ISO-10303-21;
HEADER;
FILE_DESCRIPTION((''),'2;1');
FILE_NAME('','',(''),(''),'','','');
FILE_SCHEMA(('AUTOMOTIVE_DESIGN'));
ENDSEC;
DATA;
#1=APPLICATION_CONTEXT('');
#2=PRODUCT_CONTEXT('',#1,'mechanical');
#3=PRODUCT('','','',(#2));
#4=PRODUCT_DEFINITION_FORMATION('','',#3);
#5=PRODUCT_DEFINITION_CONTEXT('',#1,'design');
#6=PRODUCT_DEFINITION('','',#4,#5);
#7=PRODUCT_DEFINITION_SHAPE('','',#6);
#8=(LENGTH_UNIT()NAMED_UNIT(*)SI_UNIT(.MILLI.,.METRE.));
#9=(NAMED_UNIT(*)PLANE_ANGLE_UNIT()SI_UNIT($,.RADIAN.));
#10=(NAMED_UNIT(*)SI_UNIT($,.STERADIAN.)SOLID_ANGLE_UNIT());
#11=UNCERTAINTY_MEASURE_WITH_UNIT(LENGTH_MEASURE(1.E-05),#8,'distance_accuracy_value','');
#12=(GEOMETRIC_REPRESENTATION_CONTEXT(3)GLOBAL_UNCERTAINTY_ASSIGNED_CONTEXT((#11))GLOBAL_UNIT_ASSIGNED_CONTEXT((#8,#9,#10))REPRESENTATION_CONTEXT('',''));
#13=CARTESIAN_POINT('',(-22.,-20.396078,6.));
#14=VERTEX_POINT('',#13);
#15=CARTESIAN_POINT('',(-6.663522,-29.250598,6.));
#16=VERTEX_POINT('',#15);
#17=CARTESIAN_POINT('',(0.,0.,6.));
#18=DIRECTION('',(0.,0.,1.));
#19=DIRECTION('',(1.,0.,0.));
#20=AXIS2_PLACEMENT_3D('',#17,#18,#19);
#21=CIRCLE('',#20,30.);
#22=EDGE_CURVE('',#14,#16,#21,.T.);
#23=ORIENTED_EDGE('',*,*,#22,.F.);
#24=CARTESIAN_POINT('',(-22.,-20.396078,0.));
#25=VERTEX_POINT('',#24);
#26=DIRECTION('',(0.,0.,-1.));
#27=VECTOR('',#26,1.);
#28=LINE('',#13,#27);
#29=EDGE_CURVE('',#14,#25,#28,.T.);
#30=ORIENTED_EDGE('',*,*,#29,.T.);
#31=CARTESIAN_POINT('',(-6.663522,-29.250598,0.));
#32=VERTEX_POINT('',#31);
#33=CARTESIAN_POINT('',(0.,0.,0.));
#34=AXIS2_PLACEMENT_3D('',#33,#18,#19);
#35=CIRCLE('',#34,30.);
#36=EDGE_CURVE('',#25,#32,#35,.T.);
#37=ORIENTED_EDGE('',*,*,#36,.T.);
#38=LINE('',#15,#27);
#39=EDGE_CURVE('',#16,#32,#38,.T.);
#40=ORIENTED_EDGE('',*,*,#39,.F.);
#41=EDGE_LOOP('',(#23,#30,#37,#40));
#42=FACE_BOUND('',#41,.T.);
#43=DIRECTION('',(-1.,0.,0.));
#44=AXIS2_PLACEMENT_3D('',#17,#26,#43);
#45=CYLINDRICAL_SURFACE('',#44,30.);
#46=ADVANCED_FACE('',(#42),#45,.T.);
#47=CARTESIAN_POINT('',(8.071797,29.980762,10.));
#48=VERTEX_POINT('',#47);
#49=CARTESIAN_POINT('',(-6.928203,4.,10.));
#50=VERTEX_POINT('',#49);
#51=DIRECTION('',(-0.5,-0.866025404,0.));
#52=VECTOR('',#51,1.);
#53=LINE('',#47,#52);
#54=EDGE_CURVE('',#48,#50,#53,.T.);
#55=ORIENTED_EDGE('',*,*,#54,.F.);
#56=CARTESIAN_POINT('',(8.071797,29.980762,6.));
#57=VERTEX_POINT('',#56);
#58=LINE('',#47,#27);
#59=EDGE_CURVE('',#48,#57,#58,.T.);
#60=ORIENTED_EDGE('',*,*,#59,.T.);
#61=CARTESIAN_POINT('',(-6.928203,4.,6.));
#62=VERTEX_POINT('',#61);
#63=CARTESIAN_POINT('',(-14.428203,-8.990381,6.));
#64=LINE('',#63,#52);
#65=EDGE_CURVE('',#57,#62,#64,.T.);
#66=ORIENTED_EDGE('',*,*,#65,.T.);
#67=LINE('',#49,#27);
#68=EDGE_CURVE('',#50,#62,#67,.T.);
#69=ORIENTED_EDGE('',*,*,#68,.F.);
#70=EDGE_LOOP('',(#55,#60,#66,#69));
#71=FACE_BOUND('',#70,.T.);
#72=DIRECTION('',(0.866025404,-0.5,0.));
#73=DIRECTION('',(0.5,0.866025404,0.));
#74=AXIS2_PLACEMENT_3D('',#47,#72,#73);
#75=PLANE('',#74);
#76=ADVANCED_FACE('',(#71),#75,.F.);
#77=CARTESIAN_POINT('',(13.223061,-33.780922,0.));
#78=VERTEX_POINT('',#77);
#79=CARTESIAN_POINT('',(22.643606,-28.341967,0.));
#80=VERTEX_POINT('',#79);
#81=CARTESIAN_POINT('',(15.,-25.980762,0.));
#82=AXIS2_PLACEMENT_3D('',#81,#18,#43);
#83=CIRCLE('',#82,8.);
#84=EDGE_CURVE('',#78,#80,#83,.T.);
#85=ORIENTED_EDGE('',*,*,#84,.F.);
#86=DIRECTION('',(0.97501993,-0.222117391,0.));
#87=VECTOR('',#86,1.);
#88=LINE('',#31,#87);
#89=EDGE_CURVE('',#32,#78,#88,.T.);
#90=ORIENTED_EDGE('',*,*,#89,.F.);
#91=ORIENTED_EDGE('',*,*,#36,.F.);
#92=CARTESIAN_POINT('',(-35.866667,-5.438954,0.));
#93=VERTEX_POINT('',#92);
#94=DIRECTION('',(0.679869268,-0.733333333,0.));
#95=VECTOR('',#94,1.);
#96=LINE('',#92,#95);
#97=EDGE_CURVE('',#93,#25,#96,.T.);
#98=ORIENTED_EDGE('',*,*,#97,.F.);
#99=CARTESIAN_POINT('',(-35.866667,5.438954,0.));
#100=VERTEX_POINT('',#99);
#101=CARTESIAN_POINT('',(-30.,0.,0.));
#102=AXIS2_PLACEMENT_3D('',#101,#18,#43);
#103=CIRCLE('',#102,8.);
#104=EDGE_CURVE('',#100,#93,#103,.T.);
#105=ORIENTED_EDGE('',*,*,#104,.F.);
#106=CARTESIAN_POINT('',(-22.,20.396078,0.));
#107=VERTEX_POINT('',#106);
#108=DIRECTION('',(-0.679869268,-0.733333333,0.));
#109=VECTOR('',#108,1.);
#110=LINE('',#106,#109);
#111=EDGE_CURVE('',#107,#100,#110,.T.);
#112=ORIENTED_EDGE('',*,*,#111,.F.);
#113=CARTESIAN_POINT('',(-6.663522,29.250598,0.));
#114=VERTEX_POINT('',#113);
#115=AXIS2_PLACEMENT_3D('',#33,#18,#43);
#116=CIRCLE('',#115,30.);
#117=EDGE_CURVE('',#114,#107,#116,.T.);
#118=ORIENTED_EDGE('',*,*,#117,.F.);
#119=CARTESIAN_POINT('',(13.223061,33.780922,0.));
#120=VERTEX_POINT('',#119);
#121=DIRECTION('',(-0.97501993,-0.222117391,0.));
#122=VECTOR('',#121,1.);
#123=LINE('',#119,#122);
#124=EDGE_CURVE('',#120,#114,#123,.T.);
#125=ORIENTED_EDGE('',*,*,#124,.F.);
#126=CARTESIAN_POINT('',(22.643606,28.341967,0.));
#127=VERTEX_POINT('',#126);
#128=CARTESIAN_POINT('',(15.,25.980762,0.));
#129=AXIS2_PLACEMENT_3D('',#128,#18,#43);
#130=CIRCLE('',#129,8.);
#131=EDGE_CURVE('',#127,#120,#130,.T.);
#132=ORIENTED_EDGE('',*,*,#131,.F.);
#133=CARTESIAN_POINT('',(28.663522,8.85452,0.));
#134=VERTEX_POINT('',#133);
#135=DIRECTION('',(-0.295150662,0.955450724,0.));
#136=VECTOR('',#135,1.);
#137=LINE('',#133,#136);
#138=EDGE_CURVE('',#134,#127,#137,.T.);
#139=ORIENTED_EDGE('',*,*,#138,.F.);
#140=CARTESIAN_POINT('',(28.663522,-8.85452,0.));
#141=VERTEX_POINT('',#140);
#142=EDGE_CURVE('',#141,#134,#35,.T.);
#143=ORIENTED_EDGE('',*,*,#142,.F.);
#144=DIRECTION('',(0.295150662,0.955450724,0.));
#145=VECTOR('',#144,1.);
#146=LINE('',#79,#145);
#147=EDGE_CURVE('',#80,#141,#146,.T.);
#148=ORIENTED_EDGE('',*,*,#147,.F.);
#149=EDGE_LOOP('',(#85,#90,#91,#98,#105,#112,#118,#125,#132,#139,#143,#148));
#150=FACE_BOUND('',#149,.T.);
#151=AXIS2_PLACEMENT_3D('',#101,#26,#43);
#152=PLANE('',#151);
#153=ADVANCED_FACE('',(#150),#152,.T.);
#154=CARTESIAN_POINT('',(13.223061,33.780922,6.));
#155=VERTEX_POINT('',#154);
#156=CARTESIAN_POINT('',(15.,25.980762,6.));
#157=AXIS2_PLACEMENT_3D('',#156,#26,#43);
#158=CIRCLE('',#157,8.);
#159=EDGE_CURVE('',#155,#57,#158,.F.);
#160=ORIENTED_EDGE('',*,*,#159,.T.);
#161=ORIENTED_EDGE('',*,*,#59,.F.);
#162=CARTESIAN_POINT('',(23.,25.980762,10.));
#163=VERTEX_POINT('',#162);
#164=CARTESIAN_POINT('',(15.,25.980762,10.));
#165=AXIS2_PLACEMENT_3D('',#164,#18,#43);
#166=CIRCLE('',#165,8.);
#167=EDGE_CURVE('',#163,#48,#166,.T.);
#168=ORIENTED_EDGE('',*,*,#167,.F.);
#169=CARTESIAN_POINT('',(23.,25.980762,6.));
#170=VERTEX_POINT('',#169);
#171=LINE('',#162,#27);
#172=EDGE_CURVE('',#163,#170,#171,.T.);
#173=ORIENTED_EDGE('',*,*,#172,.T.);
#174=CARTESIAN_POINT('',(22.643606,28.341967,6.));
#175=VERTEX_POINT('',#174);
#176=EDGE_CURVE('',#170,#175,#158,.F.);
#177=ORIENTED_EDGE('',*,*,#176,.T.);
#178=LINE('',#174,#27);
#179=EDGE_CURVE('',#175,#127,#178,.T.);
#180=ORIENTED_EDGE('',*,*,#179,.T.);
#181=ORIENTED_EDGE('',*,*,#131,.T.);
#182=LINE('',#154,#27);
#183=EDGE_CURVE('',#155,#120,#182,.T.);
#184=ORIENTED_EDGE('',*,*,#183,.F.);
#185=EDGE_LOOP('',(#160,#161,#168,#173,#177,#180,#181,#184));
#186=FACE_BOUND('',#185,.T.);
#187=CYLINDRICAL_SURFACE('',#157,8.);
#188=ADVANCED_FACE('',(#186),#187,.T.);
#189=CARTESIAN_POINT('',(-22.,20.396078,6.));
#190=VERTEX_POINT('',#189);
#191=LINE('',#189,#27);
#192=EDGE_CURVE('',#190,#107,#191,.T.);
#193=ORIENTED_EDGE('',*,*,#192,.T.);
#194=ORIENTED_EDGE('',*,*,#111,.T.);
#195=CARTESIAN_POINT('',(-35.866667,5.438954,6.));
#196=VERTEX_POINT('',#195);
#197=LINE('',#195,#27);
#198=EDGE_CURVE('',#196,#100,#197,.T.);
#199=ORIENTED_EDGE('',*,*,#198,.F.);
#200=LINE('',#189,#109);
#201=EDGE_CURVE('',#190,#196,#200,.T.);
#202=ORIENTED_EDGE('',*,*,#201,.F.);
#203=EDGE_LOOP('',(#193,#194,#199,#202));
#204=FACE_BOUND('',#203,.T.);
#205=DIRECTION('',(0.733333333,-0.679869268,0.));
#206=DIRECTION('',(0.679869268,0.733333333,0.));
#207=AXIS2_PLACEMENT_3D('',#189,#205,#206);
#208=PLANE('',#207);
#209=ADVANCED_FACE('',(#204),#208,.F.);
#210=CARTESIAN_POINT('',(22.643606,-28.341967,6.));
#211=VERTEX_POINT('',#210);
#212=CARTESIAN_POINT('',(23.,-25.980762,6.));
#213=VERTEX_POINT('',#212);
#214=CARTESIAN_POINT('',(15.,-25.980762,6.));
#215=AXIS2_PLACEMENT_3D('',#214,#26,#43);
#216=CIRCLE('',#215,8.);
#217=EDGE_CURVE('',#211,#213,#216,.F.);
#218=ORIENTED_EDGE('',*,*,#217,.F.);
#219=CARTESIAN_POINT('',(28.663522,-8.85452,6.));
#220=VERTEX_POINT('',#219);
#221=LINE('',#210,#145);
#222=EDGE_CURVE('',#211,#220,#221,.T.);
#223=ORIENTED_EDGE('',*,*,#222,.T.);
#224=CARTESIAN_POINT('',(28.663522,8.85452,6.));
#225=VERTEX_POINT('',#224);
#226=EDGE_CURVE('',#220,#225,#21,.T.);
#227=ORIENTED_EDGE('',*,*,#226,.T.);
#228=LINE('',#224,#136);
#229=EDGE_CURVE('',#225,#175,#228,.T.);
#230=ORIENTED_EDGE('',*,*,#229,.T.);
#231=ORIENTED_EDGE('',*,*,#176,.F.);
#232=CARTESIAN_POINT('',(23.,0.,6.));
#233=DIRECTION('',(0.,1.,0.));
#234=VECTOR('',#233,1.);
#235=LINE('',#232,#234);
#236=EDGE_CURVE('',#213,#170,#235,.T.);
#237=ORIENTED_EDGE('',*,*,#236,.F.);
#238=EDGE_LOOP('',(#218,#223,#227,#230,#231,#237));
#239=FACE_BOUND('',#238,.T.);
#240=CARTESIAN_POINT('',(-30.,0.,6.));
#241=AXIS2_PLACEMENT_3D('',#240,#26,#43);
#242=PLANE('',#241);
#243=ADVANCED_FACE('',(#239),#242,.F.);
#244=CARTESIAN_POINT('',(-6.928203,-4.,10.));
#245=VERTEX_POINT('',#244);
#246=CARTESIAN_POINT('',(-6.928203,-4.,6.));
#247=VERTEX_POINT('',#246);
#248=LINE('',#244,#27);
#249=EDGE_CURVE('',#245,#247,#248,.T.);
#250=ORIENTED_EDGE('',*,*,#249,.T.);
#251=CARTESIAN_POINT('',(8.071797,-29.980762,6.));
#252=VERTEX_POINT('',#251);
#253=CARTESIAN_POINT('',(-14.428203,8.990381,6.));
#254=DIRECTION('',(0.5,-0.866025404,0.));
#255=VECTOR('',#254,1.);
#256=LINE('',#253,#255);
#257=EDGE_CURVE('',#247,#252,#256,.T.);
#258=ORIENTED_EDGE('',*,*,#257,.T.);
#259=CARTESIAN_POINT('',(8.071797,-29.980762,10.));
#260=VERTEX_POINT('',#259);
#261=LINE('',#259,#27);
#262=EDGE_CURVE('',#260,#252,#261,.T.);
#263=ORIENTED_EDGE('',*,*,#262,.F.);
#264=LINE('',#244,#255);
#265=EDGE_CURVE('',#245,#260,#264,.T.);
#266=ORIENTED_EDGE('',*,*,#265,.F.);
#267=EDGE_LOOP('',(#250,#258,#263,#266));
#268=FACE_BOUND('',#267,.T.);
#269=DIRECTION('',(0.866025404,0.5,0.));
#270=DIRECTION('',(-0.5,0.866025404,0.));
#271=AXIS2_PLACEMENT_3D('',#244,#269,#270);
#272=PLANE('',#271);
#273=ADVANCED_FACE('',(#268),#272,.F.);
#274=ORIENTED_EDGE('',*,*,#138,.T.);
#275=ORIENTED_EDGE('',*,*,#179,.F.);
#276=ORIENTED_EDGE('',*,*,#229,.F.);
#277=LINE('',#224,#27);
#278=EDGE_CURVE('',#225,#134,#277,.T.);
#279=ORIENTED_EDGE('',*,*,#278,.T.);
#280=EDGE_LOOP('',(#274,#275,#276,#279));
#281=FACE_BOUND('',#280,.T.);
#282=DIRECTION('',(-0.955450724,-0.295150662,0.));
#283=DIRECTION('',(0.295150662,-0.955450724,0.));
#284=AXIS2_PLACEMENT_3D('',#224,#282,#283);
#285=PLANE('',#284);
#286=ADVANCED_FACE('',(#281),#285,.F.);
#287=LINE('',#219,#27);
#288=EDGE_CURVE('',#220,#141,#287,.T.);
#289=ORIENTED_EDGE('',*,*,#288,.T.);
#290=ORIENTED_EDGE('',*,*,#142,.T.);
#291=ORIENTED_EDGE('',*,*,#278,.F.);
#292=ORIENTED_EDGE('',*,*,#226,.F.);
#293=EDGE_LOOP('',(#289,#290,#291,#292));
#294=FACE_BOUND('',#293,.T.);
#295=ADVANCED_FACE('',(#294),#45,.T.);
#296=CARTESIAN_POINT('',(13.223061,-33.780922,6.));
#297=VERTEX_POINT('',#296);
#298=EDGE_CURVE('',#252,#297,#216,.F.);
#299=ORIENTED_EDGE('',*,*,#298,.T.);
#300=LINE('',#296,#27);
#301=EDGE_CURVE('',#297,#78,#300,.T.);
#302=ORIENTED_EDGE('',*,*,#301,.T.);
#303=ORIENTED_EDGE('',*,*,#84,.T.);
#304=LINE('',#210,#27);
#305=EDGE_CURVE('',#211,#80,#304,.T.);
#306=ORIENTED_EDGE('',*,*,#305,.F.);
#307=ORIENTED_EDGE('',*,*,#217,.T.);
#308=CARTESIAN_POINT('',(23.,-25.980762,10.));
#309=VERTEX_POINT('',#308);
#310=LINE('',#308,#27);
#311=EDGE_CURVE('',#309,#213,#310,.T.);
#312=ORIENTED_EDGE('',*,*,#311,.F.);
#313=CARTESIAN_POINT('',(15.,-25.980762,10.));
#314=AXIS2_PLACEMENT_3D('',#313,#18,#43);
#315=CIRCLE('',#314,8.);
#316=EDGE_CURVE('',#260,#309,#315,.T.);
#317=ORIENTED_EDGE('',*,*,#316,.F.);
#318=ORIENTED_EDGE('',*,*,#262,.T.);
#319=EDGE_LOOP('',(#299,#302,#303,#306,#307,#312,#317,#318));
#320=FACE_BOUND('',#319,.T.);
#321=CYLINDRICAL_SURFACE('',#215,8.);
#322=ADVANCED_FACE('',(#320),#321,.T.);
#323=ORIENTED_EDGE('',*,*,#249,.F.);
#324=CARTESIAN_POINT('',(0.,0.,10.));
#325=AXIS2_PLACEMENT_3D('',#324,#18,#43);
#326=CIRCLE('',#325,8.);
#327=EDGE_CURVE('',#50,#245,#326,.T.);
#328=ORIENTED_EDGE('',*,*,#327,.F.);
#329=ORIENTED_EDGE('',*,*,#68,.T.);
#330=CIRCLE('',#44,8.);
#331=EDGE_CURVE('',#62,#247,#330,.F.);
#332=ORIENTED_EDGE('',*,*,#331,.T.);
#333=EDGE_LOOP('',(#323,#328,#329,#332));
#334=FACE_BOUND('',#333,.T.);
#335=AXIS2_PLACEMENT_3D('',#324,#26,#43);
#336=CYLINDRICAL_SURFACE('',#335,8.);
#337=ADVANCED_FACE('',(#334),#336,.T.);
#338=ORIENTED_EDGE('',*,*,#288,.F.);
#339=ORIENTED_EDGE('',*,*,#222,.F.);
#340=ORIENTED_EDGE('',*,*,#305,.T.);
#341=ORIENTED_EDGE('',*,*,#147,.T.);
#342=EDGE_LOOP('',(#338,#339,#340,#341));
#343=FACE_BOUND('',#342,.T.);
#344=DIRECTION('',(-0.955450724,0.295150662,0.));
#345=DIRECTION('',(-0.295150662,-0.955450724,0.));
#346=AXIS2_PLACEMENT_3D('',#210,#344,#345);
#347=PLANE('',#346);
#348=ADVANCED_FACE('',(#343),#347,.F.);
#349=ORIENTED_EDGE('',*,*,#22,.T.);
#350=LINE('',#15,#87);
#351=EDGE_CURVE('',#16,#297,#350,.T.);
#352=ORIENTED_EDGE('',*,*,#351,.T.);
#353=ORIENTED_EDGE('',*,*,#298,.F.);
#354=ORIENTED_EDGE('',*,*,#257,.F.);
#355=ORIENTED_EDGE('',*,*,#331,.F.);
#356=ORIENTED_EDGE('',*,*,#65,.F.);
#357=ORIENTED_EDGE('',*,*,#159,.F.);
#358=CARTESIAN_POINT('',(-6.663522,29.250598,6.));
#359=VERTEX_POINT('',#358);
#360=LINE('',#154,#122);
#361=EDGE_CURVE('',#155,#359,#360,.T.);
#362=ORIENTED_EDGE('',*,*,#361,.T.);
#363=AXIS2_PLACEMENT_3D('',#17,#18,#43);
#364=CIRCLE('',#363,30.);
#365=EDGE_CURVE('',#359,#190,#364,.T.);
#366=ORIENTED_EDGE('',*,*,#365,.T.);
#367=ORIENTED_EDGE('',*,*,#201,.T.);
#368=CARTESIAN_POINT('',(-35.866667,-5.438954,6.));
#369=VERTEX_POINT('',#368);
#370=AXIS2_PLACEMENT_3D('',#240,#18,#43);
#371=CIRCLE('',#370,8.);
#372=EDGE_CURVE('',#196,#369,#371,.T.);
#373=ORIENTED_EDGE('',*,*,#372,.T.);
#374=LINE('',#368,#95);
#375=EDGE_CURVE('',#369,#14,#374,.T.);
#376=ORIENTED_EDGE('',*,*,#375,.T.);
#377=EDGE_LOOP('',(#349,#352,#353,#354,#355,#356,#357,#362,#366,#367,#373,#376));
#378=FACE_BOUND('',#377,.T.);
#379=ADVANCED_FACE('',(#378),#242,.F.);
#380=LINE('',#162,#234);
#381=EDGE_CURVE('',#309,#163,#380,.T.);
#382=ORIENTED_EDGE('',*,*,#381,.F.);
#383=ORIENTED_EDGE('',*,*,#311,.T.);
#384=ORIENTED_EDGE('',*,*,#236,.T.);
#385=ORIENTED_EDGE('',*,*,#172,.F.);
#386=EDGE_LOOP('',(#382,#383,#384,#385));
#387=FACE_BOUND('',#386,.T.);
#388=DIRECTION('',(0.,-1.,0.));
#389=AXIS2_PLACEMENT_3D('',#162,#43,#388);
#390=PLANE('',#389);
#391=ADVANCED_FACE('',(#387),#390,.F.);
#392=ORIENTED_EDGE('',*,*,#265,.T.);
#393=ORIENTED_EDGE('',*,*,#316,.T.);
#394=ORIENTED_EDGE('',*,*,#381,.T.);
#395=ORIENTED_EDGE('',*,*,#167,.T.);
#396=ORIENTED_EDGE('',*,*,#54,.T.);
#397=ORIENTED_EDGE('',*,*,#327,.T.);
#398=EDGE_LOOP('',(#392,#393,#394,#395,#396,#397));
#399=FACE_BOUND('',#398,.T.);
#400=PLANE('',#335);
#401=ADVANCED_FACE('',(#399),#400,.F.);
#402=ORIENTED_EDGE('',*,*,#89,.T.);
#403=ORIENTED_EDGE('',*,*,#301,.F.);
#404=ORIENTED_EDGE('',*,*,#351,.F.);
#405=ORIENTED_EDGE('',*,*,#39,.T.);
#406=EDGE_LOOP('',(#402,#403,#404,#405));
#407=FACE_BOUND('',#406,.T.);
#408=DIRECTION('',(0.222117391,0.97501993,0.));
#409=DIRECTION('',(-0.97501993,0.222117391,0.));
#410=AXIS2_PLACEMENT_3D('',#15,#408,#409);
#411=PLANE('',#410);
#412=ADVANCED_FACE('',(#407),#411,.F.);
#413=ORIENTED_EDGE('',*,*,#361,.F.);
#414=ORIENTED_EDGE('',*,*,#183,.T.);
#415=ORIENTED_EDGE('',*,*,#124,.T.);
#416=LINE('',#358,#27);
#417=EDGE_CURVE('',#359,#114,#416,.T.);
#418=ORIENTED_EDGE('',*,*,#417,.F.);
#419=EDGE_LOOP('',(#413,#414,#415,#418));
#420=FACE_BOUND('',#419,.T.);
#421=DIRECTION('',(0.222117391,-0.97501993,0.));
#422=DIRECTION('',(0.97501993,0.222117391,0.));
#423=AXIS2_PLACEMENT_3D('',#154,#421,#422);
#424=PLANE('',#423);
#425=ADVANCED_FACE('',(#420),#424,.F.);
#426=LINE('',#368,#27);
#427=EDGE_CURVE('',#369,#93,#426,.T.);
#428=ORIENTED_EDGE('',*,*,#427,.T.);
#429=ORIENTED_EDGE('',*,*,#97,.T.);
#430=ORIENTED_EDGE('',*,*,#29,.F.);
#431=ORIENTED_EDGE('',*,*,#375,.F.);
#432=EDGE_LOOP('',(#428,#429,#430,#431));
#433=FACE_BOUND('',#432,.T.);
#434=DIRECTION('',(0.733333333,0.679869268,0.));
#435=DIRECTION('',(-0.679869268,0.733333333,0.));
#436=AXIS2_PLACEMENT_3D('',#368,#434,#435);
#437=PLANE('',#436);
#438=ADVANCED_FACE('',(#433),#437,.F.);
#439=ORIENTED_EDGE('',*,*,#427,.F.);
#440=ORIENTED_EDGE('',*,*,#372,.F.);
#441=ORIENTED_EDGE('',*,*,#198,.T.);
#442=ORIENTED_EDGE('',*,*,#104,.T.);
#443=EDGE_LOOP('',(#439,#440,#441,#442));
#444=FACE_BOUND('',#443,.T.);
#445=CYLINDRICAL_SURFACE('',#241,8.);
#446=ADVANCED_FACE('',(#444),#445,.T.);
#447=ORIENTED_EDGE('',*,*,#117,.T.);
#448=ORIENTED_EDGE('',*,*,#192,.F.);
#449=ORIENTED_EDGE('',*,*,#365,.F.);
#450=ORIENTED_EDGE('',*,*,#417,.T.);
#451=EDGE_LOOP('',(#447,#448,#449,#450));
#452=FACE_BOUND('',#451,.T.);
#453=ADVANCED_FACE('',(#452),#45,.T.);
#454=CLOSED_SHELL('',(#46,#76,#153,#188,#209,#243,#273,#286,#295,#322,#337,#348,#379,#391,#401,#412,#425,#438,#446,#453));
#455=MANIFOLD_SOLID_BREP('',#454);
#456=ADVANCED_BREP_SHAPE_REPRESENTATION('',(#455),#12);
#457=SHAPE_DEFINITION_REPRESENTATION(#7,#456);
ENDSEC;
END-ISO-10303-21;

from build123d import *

# Parameters (mm, degrees)
EXTRUDE_1_DEPTH = 6
EXTRUDE_2_DEPTH = 10


with BuildPart() as part:
    # 草圖1 → 填料-伸長1 (new body)
    with BuildSketch(Plane.XY):
        with BuildLine():
            Line((-22, 20.396078054), (-35.866666667, 5.438954148))
            ThreePointArc((-35.866666667, 5.438954148), (-38, 0), (-35.866666667, -5.438954148))
            Line((-35.866666667, -5.438954148), (-22, -20.396078054))
            ThreePointArc((-22, -20.396078054), (-15, -25.980762114), (-6.663521733, -29.25059791))
            Line((-6.663521733, -29.25059791), (13.223060871, -33.780921556))
            ThreePointArc((13.223060871, -33.780921556), (19, -32.908965344), (22.643605795, -28.341967408))
            Line((22.643605795, -28.341967408), (28.663521733, -8.854519856))
            ThreePointArc((28.663521733, -8.854519856), (30, 0), (28.663521733, 8.854519856))
            Line((28.663521733, 8.854519856), (22.643605795, 28.341967408))
            ThreePointArc((22.643605795, 28.341967408), (19, 32.908965344), (13.223060871, 33.780921556))
            Line((13.223060871, 33.780921556), (-6.663521733, 29.25059791))
            ThreePointArc((-6.663521733, 29.25059791), (-15, 25.980762114), (-22, 20.396078054))
        make_face()
    extrude(amount=EXTRUDE_1_DEPTH)

    # 草圖3 → 填料-伸長2 (add)
    with BuildSketch(Plane.XY):
        with BuildLine():
            Line((8.07179677, 29.980762114), (-6.92820323, 4))
            ThreePointArc((-6.92820323, 4), (-8, 0), (-6.92820323, -4))
            Line((-6.92820323, -4), (8.07179677, -29.980762114))
            ThreePointArc((8.07179677, -29.980762114), (17.070552361, -33.708168724), (23, -25.980762114))
            Line((23, -25.980762114), (23, 25.980762114))
            ThreePointArc((23, 25.980762114), (17.070552361, 33.708168724), (8.07179677, 29.980762114))
        make_face()
    extrude(amount=EXTRUDE_2_DEPTH)


solid = part.part
